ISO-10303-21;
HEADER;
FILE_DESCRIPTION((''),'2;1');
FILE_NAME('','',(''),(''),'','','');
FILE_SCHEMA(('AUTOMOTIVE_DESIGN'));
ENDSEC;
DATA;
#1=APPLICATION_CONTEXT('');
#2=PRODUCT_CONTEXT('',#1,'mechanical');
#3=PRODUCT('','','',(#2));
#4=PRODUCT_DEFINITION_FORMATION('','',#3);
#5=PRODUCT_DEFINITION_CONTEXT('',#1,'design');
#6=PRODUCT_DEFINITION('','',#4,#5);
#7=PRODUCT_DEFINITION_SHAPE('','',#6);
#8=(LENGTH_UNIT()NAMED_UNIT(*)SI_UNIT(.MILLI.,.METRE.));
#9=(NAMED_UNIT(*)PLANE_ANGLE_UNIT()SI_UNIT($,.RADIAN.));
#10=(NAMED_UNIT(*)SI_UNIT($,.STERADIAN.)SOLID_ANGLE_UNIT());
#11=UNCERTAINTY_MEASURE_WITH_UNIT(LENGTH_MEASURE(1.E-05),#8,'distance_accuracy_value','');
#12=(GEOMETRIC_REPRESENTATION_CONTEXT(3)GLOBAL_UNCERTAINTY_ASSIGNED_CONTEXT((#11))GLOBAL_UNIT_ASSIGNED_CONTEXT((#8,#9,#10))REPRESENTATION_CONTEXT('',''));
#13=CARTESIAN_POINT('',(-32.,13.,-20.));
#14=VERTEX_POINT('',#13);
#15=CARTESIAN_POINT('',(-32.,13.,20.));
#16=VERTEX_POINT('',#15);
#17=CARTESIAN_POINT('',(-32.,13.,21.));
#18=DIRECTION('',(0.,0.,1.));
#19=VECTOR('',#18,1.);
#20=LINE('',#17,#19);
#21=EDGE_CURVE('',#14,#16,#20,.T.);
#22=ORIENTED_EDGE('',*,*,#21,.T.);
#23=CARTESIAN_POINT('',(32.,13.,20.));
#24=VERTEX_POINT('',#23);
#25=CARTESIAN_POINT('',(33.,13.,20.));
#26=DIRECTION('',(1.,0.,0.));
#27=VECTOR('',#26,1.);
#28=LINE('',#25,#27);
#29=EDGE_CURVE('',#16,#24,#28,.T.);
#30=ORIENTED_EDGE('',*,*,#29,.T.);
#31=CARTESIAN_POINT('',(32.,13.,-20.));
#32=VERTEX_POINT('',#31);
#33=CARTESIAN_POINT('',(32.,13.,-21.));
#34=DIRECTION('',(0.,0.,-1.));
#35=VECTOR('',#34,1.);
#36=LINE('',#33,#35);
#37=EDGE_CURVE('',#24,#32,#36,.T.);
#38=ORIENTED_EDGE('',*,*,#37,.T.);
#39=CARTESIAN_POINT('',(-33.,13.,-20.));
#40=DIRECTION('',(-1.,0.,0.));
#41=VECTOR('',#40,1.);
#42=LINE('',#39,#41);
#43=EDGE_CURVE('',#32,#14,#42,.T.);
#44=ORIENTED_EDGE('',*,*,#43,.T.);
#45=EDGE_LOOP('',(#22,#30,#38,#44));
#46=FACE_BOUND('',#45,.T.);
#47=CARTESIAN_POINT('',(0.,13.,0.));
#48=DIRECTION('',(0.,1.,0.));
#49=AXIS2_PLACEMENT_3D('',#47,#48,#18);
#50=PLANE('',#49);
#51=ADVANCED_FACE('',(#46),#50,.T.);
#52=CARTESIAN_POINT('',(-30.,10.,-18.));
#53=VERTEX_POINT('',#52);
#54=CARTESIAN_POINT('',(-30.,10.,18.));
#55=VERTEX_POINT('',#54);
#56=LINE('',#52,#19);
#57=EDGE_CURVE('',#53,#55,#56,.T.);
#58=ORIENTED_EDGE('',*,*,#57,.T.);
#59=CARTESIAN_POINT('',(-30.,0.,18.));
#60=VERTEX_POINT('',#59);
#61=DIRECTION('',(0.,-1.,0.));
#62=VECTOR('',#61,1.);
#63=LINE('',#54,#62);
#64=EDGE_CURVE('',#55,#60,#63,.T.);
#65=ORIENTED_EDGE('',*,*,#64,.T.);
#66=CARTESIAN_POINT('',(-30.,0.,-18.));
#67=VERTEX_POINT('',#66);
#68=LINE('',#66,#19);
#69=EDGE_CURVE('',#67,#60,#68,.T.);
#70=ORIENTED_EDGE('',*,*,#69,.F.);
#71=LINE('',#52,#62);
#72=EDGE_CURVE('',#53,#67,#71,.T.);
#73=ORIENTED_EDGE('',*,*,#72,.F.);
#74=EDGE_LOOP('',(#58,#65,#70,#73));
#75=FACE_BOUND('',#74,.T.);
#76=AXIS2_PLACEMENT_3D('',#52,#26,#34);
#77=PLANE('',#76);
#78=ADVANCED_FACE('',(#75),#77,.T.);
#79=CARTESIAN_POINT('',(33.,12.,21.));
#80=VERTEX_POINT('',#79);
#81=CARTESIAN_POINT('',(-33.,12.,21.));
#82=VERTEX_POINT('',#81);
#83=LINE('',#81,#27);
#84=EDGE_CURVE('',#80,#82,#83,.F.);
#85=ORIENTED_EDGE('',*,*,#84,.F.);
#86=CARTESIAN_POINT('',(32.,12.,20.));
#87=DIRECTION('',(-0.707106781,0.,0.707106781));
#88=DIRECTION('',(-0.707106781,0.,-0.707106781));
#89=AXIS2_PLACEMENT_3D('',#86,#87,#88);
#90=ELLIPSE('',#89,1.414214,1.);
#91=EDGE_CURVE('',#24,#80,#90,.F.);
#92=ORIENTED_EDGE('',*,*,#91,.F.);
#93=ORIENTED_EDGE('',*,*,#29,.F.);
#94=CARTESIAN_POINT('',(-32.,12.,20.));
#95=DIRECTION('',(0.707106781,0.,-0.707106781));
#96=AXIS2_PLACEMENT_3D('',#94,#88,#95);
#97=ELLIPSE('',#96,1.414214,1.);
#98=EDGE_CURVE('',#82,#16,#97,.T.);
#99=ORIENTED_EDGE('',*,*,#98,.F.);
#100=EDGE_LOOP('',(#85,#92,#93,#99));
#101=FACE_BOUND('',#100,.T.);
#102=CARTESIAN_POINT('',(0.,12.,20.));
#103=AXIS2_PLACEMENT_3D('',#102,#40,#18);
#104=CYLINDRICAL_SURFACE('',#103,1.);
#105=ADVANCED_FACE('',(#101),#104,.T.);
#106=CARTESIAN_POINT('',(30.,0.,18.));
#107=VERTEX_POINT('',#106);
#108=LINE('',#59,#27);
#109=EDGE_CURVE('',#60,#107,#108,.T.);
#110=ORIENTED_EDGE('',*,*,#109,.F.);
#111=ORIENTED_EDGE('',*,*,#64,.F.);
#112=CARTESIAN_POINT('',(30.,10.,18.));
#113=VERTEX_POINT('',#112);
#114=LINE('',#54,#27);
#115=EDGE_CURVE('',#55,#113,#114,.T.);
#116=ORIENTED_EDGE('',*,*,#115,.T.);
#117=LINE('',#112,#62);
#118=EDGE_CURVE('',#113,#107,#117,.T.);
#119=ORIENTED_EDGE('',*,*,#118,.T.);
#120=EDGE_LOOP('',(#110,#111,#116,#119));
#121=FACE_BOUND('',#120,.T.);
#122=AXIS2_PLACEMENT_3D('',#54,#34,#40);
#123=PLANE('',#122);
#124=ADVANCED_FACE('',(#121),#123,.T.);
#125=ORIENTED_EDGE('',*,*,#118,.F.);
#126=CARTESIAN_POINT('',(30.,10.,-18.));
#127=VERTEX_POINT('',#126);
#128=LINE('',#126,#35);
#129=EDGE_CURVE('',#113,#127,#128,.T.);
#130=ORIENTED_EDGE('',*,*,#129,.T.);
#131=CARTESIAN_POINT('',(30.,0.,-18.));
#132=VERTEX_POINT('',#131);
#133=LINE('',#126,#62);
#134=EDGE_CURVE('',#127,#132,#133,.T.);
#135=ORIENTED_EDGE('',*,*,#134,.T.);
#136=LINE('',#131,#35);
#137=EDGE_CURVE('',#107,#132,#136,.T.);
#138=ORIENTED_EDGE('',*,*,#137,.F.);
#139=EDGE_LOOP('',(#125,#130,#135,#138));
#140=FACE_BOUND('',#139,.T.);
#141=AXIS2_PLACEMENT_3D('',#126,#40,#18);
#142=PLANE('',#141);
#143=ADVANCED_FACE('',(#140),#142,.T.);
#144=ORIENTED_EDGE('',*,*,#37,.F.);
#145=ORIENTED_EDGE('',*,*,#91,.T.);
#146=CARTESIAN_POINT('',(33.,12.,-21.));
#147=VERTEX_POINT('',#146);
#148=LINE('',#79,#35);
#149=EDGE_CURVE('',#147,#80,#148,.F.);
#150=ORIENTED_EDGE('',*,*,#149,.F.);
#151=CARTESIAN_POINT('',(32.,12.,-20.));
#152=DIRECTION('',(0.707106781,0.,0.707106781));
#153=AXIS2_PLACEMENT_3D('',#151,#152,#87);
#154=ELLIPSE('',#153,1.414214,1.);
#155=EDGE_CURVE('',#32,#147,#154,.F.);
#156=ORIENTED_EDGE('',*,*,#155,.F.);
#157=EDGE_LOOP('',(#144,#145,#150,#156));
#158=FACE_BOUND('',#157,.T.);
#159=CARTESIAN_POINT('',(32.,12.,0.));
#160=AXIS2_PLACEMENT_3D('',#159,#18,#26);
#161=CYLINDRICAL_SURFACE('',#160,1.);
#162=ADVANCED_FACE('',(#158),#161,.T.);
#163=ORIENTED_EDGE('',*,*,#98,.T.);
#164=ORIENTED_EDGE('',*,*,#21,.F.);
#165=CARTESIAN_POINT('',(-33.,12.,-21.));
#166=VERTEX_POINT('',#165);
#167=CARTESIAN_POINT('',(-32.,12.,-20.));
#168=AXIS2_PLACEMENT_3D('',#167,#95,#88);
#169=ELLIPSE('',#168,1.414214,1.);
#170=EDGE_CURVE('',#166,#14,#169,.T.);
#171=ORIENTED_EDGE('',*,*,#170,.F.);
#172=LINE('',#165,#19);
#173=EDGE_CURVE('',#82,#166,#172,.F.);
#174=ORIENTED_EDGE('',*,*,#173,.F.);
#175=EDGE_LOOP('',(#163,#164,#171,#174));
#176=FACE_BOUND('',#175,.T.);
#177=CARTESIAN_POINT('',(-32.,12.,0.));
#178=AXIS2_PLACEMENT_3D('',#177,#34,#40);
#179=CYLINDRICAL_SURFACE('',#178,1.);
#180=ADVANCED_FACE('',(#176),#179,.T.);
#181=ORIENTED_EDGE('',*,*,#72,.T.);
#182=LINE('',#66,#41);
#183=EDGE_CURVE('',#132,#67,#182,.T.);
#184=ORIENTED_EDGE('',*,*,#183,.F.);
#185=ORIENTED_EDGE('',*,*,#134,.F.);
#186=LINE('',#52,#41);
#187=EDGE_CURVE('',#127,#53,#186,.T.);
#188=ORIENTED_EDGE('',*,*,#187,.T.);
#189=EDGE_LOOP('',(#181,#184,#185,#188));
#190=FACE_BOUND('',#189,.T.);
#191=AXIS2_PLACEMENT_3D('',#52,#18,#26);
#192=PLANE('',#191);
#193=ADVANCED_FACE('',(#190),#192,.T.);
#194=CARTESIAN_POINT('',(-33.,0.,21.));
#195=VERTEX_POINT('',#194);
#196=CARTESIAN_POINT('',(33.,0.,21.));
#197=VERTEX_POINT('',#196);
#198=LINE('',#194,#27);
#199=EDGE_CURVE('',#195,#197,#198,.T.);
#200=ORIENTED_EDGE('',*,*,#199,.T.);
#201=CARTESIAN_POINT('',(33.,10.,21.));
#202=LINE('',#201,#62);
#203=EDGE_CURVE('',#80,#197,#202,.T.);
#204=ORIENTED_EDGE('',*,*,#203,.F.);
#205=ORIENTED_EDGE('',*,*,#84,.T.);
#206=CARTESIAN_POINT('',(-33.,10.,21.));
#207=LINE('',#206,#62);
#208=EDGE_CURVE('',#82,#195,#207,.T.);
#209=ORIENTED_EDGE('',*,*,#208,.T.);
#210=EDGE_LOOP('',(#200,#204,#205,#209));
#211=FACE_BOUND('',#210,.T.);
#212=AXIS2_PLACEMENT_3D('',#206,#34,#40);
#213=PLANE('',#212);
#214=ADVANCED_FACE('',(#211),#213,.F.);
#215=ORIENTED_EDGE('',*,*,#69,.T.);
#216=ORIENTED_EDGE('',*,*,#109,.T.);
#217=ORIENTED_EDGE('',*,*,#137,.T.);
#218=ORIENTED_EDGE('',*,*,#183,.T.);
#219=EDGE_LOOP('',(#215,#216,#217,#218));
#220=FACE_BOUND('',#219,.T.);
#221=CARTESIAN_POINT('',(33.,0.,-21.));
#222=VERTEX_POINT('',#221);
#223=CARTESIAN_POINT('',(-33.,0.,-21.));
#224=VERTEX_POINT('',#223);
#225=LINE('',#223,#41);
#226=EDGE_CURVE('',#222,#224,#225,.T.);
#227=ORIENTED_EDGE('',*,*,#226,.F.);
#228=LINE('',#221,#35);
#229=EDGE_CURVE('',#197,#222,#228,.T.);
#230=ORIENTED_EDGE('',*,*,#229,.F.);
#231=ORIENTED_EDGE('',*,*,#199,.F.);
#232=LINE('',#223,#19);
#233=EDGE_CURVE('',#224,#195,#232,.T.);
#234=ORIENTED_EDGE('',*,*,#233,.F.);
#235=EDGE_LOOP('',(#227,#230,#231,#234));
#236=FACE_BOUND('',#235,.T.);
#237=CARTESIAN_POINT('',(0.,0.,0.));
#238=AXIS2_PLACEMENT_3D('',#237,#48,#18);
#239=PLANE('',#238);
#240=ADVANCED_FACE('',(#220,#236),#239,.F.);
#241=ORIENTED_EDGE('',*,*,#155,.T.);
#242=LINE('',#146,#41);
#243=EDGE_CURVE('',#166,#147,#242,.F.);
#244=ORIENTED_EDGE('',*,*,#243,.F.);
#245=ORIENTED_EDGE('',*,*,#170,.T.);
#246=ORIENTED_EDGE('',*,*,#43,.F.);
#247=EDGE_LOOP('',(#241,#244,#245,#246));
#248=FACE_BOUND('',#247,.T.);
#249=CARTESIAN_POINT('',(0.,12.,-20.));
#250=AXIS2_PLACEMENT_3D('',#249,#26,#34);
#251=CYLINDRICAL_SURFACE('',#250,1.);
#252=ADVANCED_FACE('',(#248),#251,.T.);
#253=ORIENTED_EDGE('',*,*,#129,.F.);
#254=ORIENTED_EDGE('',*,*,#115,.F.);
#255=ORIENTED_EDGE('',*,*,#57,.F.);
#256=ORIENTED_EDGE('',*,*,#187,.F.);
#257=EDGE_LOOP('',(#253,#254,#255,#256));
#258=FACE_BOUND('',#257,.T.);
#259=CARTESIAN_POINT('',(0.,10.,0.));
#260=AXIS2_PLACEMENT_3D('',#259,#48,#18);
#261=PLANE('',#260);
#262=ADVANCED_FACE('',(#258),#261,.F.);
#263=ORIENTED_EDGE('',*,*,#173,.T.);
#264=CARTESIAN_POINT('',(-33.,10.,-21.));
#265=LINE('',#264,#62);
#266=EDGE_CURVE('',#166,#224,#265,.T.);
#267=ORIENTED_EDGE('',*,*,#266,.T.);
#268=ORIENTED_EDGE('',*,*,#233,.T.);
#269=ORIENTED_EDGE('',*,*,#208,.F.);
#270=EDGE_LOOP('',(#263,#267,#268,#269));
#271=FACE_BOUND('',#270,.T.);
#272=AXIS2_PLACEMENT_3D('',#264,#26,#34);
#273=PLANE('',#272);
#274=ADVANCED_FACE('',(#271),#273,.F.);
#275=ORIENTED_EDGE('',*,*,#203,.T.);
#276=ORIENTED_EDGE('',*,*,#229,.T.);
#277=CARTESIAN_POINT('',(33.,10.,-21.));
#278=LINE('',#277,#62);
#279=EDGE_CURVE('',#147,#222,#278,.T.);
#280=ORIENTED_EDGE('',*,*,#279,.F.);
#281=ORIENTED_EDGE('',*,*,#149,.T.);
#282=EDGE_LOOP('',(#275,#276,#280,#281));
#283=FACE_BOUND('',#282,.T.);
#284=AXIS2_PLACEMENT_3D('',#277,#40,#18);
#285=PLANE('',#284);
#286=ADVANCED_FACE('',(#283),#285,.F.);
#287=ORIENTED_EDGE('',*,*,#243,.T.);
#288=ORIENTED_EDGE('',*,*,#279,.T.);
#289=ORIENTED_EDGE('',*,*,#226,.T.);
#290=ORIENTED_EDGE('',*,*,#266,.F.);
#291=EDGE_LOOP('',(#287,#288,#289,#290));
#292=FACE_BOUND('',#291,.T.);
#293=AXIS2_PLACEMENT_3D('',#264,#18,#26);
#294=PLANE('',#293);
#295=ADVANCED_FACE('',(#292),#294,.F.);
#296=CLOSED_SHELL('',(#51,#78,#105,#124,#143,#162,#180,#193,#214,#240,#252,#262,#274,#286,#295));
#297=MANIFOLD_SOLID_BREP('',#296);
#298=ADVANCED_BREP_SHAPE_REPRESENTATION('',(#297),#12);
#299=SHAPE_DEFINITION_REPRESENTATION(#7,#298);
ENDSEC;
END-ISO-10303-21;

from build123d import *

# Parameters (mm, degrees)
SKETCH1_W           = 66
SKETCH1_H           = 42
SKETCH1_W_2         = 60
SKETCH1_H_2         = 36
BOSS_EXTRUDE1_DEPTH = 10
SKETCH3_W           = 66
SKETCH3_H           = 42
BOSS_EXTRUDE3_DEPTH = 3
FILLET2_R           = 1


with BuildPart() as part:
    # Sketch1 → Boss-Extrude1 (new body)
    with BuildSketch(Plane(origin=(0, 0, 0), x_dir=(1, 0, 0), z_dir=(0, 1, 0))):
        Rectangle(SKETCH1_W, SKETCH1_H)
        Rectangle(SKETCH1_W_2, SKETCH1_H_2, mode=Mode.SUBTRACT)
    extrude(amount=BOSS_EXTRUDE1_DEPTH)

    # Sketch3 → Boss-Extrude3 (add)
    with BuildSketch(Plane(origin=(0, 10, 0), x_dir=(1, 0, 0), z_dir=(0, 1, 0))):
        Rectangle(SKETCH3_W, SKETCH3_H)
    extrude(amount=BOSS_EXTRUDE3_DEPTH)

    # Fillet2
    fillet2_edges = [part.edges().sort_by_distance(p)[0] for p in [
        (-33, 13, 0),
        (0, 13, 21),
        (33, 13, 0),
        (0, 13, -21),
    ]]
    fillet(fillet2_edges, radius=FILLET2_R)


solid = part.part
